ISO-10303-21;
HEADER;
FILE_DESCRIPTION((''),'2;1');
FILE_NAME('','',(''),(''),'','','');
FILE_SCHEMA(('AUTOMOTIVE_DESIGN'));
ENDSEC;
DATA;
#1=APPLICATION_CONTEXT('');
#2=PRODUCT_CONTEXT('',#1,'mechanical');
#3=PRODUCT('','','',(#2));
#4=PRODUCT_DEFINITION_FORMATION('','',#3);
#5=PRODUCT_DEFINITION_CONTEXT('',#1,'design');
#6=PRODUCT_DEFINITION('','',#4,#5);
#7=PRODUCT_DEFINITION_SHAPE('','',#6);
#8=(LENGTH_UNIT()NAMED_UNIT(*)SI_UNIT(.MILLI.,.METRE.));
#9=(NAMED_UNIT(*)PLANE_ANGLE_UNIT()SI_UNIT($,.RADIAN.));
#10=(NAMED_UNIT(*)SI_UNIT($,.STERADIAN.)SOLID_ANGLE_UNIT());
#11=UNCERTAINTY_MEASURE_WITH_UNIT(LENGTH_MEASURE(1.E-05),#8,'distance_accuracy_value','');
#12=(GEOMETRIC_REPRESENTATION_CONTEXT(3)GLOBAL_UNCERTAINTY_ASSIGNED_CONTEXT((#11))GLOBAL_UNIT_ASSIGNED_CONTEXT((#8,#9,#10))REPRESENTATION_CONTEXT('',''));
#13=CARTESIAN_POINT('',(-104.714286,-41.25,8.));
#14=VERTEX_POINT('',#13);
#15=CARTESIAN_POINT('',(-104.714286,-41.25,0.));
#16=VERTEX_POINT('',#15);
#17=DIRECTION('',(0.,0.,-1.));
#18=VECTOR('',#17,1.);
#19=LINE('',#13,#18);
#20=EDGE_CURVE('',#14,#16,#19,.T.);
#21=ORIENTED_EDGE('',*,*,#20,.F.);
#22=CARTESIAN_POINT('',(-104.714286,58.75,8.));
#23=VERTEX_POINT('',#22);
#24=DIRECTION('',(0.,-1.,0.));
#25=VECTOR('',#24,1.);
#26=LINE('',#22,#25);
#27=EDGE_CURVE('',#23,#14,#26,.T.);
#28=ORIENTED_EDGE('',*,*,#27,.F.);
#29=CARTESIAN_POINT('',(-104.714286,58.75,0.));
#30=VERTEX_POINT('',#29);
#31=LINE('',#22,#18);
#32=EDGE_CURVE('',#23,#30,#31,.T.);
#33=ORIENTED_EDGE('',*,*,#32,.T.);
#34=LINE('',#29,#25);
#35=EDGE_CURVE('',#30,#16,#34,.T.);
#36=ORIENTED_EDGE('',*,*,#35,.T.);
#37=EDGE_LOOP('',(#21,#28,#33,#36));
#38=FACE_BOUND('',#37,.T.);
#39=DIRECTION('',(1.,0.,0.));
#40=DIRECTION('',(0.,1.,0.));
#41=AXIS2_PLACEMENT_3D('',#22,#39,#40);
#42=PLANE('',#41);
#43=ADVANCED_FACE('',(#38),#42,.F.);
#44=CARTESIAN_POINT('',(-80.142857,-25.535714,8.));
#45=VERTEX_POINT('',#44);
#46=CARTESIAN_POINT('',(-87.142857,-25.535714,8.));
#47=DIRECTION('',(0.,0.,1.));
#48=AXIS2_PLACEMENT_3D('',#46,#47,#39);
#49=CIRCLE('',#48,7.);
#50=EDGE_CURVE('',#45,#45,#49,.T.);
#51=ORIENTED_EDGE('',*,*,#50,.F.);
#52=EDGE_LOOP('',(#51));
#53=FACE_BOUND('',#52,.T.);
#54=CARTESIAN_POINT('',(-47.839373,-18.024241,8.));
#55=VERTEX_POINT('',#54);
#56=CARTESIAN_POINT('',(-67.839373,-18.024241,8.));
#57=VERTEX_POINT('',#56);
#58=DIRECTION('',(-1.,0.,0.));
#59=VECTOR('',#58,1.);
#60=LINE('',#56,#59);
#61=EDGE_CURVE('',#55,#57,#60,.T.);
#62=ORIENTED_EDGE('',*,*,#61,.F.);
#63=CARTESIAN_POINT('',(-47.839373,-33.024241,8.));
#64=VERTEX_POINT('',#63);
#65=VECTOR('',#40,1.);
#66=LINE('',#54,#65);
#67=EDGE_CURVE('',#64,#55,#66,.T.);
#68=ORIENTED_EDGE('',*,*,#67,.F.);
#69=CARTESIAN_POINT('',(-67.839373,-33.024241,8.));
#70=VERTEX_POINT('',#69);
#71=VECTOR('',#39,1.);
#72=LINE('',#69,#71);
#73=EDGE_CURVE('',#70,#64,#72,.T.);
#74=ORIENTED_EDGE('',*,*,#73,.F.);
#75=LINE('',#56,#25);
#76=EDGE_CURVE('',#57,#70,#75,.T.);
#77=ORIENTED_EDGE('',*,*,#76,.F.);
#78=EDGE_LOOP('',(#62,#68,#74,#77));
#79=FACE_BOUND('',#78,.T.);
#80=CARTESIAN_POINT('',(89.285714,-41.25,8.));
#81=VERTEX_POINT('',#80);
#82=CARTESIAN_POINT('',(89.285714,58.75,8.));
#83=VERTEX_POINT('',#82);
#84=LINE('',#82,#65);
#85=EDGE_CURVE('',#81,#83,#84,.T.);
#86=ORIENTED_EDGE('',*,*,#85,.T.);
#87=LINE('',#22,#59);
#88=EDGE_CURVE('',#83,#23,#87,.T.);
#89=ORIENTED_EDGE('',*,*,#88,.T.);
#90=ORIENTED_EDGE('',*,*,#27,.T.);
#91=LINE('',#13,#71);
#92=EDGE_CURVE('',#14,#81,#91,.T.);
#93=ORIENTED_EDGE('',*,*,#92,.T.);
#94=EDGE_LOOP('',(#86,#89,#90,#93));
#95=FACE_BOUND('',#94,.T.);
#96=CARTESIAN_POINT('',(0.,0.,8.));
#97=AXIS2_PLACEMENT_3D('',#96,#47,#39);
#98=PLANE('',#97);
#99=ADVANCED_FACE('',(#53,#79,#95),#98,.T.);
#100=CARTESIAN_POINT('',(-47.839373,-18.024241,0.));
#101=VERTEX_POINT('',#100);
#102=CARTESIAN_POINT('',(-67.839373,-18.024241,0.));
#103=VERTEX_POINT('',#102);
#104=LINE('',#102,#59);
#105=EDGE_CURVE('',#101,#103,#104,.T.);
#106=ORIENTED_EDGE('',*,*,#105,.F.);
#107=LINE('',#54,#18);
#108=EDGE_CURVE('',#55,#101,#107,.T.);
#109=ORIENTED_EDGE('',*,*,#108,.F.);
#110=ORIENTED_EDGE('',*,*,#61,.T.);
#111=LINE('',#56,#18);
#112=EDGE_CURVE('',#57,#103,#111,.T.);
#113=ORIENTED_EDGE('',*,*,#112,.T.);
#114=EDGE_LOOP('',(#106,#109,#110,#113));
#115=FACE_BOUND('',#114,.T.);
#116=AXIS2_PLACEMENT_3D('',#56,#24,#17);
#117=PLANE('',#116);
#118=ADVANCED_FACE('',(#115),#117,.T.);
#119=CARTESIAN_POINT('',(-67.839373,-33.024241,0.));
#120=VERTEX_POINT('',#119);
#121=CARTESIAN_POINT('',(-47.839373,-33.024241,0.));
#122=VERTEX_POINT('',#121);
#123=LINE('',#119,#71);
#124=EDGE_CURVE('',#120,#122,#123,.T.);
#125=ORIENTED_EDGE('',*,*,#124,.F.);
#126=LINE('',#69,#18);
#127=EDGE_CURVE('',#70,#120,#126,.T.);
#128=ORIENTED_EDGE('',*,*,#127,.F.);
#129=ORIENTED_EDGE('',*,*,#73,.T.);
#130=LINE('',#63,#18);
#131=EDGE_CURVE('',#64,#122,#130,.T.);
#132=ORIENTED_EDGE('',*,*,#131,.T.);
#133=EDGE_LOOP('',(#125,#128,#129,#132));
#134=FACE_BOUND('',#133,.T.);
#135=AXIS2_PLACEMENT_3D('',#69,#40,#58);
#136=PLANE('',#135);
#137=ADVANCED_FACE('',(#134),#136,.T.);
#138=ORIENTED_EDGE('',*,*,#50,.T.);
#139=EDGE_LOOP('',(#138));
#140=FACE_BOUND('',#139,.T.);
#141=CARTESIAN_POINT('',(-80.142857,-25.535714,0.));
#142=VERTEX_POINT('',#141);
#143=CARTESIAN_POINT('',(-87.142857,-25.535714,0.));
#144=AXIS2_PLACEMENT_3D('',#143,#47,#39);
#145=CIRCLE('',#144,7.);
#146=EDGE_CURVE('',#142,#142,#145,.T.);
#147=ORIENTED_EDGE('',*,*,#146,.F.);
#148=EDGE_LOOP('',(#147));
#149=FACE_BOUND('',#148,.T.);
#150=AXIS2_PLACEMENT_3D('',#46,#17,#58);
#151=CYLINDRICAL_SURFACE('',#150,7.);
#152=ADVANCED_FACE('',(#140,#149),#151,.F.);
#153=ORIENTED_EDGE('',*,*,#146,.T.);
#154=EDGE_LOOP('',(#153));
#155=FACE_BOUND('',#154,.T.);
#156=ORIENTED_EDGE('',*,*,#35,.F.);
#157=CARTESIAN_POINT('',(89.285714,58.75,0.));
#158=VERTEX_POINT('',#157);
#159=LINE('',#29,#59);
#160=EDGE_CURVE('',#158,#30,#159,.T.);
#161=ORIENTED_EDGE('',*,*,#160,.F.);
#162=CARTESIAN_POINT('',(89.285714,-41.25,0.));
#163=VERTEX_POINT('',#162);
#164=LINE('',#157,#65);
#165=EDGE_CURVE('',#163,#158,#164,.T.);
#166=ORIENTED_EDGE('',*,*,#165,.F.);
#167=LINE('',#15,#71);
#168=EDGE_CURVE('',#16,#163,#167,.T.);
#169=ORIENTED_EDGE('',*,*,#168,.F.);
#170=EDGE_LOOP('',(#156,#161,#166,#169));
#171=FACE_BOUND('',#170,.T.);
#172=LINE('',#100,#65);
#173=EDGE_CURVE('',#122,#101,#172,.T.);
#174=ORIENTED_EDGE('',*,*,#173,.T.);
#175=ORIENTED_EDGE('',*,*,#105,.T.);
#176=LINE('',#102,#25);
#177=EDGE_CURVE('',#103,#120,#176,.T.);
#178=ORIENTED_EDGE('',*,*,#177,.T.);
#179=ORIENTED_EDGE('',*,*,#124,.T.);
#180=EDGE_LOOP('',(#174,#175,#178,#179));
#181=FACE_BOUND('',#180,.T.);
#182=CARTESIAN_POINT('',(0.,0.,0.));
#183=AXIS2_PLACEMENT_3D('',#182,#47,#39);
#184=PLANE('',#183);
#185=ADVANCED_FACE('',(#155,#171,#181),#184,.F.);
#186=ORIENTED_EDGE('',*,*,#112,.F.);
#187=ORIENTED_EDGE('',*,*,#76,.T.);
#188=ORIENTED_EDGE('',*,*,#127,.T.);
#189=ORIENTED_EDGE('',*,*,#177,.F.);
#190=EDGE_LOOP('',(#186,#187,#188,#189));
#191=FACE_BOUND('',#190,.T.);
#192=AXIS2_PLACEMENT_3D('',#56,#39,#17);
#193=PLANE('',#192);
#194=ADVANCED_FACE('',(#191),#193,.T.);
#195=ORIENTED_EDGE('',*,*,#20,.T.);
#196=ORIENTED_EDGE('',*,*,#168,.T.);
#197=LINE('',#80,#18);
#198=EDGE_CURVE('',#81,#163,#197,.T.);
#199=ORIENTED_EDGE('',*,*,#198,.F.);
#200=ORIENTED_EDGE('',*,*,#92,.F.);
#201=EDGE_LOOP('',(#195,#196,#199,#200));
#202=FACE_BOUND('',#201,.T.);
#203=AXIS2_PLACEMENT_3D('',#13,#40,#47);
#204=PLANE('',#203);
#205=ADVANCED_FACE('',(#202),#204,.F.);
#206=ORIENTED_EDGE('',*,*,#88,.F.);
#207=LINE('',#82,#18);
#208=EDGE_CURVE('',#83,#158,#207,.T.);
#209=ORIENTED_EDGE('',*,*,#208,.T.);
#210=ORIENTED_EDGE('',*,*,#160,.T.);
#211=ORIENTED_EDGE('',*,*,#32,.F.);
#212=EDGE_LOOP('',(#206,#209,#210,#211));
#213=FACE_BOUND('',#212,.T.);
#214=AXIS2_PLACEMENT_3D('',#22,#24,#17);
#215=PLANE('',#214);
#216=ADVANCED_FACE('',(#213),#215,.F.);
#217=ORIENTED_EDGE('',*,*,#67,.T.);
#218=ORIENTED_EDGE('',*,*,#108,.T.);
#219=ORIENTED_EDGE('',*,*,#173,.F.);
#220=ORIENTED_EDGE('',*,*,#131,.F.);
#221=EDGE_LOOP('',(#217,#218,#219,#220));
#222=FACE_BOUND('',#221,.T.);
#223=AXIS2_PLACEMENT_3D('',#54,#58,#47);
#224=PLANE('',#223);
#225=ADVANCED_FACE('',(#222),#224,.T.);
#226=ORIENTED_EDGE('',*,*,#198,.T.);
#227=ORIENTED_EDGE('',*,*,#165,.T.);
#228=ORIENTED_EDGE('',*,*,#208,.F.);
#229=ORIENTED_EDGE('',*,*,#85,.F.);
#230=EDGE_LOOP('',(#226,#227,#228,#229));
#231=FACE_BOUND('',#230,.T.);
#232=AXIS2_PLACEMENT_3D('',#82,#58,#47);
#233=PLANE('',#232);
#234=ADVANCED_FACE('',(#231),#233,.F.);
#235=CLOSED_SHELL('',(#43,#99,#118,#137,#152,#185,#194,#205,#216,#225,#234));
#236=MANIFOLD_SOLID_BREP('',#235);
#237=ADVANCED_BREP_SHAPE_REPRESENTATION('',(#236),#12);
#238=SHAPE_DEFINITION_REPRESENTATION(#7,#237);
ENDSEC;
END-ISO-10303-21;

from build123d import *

# Parameters (mm, degrees)
SKETCH_1_W      = 194
SKETCH_1_H      = 100
SKETCH_1_R      = 7
SKETCH_1_W_2    = 20
SKETCH_1_H_2    = 15
EXTRUDE_1_DEPTH = 8


with BuildPart() as part:
    # 草图1 → 凸台-拉伸1 (new body)
    with BuildSketch(Plane.XY):
        with Locations((-7.714285714, 8.75)):
            Rectangle(SKETCH_1_W, SKETCH_1_H)
        with Locations((-87.142857143, -25.535714286)):
            Circle(SKETCH_1_R, mode=Mode.SUBTRACT)
        with Locations((-57.839372956, -25.524240771)):
            Rectangle(SKETCH_1_W_2, SKETCH_1_H_2, mode=Mode.SUBTRACT)
    extrude(amount=EXTRUDE_1_DEPTH)


solid = part.part
